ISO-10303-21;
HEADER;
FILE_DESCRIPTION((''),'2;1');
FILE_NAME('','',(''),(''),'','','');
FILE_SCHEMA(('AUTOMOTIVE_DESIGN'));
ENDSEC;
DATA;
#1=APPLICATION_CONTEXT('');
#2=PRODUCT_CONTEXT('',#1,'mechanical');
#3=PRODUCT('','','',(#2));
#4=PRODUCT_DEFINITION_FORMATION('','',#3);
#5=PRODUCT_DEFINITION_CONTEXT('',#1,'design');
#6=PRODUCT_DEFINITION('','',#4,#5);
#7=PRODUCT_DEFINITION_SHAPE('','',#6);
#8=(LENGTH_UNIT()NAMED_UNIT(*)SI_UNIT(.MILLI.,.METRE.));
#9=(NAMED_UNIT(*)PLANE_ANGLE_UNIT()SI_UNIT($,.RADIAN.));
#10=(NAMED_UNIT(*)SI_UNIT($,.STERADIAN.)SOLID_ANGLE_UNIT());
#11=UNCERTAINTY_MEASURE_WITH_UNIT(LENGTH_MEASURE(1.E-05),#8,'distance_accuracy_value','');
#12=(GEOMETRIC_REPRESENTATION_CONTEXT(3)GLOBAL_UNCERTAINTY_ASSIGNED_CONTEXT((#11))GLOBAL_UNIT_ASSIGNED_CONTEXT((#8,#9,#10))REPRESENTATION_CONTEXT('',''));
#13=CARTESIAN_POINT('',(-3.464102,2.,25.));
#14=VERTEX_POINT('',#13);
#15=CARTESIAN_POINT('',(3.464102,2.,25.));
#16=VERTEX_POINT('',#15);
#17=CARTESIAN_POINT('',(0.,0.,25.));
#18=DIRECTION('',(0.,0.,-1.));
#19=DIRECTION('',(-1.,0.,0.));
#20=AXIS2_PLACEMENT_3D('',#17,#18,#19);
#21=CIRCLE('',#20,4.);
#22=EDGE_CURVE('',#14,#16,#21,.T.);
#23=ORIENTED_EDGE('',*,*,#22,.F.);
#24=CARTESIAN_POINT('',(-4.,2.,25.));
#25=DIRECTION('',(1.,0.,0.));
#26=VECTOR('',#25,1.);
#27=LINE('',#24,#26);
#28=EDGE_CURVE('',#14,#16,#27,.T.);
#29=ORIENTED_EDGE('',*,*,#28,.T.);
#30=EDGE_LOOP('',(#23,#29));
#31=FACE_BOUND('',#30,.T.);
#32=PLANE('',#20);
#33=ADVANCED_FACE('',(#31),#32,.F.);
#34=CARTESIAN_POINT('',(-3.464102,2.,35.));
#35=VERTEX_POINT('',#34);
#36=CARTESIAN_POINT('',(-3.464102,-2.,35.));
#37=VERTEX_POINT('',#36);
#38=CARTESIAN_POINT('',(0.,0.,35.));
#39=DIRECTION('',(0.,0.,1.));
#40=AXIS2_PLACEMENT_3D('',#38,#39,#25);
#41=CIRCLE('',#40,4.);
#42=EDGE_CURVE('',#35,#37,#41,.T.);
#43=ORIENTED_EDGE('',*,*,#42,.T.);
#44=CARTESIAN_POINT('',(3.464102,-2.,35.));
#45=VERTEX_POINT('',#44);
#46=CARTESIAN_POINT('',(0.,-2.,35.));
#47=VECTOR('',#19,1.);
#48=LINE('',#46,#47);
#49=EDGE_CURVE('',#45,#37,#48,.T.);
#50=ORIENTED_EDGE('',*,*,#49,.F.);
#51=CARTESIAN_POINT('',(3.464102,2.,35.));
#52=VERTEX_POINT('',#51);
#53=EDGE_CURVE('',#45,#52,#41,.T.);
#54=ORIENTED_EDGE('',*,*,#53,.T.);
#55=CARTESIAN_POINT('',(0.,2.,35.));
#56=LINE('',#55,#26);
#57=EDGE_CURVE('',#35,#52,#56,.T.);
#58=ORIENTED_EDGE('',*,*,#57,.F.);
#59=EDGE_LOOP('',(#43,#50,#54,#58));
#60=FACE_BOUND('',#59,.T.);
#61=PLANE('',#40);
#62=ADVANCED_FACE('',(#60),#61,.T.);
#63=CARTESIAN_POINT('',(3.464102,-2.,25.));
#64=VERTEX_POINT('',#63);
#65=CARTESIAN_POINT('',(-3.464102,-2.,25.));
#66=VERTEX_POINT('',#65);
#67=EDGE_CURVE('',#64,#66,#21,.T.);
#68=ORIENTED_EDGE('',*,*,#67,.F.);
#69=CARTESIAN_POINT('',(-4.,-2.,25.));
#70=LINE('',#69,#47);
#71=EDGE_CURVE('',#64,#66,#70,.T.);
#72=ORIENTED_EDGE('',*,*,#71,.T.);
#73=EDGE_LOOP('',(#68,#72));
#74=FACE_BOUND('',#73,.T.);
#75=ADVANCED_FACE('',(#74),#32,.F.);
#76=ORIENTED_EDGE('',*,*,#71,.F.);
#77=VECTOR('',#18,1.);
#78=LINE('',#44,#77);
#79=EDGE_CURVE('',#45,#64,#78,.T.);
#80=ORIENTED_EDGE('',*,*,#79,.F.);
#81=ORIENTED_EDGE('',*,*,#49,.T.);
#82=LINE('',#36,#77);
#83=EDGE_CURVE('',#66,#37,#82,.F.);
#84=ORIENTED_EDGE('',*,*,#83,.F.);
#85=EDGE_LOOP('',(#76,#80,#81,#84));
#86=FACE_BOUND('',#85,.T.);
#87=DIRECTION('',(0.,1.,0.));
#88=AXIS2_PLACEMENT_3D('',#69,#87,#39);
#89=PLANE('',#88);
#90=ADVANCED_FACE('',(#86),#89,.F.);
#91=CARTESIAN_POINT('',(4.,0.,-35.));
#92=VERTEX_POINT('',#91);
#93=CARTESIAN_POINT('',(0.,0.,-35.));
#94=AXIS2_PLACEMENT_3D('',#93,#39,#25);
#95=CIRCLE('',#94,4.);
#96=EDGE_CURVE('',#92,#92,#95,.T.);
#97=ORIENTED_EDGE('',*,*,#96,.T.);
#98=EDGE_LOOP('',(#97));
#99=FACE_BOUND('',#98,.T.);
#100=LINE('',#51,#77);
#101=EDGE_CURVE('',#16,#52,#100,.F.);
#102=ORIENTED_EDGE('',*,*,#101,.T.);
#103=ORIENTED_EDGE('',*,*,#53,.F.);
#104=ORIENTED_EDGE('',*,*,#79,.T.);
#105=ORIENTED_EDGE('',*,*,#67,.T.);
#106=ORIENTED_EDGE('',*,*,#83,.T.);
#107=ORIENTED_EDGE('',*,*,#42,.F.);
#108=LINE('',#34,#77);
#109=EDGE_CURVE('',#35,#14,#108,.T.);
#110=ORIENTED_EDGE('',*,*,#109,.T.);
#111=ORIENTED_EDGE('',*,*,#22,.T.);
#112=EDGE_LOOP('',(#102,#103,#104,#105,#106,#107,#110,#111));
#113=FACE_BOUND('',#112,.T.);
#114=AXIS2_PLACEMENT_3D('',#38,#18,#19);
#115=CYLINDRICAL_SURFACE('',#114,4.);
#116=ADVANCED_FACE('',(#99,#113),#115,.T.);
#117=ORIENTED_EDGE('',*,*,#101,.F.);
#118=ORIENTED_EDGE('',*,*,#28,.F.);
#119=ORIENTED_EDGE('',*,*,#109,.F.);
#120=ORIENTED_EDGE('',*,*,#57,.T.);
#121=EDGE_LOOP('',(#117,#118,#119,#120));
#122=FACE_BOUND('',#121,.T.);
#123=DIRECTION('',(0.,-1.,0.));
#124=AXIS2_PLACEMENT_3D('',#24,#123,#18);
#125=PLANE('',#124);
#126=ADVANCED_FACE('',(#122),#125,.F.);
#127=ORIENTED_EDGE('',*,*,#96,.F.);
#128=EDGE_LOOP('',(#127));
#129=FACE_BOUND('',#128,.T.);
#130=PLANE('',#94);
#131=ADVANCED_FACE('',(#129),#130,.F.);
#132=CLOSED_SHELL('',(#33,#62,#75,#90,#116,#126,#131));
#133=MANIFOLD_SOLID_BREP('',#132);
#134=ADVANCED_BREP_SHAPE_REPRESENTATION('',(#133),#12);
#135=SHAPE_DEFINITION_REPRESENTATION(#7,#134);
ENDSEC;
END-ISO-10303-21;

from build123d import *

# Parameters (mm, degrees)
SKETCH1_R           = 4
BOSS_EXTRUDE1_DEPTH = 35
SKETCH2_W           = 8
SKETCH2_H           = 2.52995071
CUT_EXTRUDE1_DEPTH  = 10


with BuildPart() as part:
    # Sketch1 → Boss-Extrude1 (new body, symmetric)
    with BuildSketch(Plane.XY):
        Circle(SKETCH1_R)
    extrude(amount=BOSS_EXTRUDE1_DEPTH, both=True)

    # Sketch2 → Cut-Extrude1 (cut)
    with BuildSketch(Plane.XY.offset(35)):
        Polygon((-4, -2), (4, -2), (4, -4.561964496), (-4, -4.711362164), align=None)
        with Locations((0, 3.264975355)):
            Rectangle(SKETCH2_W, SKETCH2_H)
    extrude(amount=-CUT_EXTRUDE1_DEPTH, mode=Mode.SUBTRACT)


solid = part.part
